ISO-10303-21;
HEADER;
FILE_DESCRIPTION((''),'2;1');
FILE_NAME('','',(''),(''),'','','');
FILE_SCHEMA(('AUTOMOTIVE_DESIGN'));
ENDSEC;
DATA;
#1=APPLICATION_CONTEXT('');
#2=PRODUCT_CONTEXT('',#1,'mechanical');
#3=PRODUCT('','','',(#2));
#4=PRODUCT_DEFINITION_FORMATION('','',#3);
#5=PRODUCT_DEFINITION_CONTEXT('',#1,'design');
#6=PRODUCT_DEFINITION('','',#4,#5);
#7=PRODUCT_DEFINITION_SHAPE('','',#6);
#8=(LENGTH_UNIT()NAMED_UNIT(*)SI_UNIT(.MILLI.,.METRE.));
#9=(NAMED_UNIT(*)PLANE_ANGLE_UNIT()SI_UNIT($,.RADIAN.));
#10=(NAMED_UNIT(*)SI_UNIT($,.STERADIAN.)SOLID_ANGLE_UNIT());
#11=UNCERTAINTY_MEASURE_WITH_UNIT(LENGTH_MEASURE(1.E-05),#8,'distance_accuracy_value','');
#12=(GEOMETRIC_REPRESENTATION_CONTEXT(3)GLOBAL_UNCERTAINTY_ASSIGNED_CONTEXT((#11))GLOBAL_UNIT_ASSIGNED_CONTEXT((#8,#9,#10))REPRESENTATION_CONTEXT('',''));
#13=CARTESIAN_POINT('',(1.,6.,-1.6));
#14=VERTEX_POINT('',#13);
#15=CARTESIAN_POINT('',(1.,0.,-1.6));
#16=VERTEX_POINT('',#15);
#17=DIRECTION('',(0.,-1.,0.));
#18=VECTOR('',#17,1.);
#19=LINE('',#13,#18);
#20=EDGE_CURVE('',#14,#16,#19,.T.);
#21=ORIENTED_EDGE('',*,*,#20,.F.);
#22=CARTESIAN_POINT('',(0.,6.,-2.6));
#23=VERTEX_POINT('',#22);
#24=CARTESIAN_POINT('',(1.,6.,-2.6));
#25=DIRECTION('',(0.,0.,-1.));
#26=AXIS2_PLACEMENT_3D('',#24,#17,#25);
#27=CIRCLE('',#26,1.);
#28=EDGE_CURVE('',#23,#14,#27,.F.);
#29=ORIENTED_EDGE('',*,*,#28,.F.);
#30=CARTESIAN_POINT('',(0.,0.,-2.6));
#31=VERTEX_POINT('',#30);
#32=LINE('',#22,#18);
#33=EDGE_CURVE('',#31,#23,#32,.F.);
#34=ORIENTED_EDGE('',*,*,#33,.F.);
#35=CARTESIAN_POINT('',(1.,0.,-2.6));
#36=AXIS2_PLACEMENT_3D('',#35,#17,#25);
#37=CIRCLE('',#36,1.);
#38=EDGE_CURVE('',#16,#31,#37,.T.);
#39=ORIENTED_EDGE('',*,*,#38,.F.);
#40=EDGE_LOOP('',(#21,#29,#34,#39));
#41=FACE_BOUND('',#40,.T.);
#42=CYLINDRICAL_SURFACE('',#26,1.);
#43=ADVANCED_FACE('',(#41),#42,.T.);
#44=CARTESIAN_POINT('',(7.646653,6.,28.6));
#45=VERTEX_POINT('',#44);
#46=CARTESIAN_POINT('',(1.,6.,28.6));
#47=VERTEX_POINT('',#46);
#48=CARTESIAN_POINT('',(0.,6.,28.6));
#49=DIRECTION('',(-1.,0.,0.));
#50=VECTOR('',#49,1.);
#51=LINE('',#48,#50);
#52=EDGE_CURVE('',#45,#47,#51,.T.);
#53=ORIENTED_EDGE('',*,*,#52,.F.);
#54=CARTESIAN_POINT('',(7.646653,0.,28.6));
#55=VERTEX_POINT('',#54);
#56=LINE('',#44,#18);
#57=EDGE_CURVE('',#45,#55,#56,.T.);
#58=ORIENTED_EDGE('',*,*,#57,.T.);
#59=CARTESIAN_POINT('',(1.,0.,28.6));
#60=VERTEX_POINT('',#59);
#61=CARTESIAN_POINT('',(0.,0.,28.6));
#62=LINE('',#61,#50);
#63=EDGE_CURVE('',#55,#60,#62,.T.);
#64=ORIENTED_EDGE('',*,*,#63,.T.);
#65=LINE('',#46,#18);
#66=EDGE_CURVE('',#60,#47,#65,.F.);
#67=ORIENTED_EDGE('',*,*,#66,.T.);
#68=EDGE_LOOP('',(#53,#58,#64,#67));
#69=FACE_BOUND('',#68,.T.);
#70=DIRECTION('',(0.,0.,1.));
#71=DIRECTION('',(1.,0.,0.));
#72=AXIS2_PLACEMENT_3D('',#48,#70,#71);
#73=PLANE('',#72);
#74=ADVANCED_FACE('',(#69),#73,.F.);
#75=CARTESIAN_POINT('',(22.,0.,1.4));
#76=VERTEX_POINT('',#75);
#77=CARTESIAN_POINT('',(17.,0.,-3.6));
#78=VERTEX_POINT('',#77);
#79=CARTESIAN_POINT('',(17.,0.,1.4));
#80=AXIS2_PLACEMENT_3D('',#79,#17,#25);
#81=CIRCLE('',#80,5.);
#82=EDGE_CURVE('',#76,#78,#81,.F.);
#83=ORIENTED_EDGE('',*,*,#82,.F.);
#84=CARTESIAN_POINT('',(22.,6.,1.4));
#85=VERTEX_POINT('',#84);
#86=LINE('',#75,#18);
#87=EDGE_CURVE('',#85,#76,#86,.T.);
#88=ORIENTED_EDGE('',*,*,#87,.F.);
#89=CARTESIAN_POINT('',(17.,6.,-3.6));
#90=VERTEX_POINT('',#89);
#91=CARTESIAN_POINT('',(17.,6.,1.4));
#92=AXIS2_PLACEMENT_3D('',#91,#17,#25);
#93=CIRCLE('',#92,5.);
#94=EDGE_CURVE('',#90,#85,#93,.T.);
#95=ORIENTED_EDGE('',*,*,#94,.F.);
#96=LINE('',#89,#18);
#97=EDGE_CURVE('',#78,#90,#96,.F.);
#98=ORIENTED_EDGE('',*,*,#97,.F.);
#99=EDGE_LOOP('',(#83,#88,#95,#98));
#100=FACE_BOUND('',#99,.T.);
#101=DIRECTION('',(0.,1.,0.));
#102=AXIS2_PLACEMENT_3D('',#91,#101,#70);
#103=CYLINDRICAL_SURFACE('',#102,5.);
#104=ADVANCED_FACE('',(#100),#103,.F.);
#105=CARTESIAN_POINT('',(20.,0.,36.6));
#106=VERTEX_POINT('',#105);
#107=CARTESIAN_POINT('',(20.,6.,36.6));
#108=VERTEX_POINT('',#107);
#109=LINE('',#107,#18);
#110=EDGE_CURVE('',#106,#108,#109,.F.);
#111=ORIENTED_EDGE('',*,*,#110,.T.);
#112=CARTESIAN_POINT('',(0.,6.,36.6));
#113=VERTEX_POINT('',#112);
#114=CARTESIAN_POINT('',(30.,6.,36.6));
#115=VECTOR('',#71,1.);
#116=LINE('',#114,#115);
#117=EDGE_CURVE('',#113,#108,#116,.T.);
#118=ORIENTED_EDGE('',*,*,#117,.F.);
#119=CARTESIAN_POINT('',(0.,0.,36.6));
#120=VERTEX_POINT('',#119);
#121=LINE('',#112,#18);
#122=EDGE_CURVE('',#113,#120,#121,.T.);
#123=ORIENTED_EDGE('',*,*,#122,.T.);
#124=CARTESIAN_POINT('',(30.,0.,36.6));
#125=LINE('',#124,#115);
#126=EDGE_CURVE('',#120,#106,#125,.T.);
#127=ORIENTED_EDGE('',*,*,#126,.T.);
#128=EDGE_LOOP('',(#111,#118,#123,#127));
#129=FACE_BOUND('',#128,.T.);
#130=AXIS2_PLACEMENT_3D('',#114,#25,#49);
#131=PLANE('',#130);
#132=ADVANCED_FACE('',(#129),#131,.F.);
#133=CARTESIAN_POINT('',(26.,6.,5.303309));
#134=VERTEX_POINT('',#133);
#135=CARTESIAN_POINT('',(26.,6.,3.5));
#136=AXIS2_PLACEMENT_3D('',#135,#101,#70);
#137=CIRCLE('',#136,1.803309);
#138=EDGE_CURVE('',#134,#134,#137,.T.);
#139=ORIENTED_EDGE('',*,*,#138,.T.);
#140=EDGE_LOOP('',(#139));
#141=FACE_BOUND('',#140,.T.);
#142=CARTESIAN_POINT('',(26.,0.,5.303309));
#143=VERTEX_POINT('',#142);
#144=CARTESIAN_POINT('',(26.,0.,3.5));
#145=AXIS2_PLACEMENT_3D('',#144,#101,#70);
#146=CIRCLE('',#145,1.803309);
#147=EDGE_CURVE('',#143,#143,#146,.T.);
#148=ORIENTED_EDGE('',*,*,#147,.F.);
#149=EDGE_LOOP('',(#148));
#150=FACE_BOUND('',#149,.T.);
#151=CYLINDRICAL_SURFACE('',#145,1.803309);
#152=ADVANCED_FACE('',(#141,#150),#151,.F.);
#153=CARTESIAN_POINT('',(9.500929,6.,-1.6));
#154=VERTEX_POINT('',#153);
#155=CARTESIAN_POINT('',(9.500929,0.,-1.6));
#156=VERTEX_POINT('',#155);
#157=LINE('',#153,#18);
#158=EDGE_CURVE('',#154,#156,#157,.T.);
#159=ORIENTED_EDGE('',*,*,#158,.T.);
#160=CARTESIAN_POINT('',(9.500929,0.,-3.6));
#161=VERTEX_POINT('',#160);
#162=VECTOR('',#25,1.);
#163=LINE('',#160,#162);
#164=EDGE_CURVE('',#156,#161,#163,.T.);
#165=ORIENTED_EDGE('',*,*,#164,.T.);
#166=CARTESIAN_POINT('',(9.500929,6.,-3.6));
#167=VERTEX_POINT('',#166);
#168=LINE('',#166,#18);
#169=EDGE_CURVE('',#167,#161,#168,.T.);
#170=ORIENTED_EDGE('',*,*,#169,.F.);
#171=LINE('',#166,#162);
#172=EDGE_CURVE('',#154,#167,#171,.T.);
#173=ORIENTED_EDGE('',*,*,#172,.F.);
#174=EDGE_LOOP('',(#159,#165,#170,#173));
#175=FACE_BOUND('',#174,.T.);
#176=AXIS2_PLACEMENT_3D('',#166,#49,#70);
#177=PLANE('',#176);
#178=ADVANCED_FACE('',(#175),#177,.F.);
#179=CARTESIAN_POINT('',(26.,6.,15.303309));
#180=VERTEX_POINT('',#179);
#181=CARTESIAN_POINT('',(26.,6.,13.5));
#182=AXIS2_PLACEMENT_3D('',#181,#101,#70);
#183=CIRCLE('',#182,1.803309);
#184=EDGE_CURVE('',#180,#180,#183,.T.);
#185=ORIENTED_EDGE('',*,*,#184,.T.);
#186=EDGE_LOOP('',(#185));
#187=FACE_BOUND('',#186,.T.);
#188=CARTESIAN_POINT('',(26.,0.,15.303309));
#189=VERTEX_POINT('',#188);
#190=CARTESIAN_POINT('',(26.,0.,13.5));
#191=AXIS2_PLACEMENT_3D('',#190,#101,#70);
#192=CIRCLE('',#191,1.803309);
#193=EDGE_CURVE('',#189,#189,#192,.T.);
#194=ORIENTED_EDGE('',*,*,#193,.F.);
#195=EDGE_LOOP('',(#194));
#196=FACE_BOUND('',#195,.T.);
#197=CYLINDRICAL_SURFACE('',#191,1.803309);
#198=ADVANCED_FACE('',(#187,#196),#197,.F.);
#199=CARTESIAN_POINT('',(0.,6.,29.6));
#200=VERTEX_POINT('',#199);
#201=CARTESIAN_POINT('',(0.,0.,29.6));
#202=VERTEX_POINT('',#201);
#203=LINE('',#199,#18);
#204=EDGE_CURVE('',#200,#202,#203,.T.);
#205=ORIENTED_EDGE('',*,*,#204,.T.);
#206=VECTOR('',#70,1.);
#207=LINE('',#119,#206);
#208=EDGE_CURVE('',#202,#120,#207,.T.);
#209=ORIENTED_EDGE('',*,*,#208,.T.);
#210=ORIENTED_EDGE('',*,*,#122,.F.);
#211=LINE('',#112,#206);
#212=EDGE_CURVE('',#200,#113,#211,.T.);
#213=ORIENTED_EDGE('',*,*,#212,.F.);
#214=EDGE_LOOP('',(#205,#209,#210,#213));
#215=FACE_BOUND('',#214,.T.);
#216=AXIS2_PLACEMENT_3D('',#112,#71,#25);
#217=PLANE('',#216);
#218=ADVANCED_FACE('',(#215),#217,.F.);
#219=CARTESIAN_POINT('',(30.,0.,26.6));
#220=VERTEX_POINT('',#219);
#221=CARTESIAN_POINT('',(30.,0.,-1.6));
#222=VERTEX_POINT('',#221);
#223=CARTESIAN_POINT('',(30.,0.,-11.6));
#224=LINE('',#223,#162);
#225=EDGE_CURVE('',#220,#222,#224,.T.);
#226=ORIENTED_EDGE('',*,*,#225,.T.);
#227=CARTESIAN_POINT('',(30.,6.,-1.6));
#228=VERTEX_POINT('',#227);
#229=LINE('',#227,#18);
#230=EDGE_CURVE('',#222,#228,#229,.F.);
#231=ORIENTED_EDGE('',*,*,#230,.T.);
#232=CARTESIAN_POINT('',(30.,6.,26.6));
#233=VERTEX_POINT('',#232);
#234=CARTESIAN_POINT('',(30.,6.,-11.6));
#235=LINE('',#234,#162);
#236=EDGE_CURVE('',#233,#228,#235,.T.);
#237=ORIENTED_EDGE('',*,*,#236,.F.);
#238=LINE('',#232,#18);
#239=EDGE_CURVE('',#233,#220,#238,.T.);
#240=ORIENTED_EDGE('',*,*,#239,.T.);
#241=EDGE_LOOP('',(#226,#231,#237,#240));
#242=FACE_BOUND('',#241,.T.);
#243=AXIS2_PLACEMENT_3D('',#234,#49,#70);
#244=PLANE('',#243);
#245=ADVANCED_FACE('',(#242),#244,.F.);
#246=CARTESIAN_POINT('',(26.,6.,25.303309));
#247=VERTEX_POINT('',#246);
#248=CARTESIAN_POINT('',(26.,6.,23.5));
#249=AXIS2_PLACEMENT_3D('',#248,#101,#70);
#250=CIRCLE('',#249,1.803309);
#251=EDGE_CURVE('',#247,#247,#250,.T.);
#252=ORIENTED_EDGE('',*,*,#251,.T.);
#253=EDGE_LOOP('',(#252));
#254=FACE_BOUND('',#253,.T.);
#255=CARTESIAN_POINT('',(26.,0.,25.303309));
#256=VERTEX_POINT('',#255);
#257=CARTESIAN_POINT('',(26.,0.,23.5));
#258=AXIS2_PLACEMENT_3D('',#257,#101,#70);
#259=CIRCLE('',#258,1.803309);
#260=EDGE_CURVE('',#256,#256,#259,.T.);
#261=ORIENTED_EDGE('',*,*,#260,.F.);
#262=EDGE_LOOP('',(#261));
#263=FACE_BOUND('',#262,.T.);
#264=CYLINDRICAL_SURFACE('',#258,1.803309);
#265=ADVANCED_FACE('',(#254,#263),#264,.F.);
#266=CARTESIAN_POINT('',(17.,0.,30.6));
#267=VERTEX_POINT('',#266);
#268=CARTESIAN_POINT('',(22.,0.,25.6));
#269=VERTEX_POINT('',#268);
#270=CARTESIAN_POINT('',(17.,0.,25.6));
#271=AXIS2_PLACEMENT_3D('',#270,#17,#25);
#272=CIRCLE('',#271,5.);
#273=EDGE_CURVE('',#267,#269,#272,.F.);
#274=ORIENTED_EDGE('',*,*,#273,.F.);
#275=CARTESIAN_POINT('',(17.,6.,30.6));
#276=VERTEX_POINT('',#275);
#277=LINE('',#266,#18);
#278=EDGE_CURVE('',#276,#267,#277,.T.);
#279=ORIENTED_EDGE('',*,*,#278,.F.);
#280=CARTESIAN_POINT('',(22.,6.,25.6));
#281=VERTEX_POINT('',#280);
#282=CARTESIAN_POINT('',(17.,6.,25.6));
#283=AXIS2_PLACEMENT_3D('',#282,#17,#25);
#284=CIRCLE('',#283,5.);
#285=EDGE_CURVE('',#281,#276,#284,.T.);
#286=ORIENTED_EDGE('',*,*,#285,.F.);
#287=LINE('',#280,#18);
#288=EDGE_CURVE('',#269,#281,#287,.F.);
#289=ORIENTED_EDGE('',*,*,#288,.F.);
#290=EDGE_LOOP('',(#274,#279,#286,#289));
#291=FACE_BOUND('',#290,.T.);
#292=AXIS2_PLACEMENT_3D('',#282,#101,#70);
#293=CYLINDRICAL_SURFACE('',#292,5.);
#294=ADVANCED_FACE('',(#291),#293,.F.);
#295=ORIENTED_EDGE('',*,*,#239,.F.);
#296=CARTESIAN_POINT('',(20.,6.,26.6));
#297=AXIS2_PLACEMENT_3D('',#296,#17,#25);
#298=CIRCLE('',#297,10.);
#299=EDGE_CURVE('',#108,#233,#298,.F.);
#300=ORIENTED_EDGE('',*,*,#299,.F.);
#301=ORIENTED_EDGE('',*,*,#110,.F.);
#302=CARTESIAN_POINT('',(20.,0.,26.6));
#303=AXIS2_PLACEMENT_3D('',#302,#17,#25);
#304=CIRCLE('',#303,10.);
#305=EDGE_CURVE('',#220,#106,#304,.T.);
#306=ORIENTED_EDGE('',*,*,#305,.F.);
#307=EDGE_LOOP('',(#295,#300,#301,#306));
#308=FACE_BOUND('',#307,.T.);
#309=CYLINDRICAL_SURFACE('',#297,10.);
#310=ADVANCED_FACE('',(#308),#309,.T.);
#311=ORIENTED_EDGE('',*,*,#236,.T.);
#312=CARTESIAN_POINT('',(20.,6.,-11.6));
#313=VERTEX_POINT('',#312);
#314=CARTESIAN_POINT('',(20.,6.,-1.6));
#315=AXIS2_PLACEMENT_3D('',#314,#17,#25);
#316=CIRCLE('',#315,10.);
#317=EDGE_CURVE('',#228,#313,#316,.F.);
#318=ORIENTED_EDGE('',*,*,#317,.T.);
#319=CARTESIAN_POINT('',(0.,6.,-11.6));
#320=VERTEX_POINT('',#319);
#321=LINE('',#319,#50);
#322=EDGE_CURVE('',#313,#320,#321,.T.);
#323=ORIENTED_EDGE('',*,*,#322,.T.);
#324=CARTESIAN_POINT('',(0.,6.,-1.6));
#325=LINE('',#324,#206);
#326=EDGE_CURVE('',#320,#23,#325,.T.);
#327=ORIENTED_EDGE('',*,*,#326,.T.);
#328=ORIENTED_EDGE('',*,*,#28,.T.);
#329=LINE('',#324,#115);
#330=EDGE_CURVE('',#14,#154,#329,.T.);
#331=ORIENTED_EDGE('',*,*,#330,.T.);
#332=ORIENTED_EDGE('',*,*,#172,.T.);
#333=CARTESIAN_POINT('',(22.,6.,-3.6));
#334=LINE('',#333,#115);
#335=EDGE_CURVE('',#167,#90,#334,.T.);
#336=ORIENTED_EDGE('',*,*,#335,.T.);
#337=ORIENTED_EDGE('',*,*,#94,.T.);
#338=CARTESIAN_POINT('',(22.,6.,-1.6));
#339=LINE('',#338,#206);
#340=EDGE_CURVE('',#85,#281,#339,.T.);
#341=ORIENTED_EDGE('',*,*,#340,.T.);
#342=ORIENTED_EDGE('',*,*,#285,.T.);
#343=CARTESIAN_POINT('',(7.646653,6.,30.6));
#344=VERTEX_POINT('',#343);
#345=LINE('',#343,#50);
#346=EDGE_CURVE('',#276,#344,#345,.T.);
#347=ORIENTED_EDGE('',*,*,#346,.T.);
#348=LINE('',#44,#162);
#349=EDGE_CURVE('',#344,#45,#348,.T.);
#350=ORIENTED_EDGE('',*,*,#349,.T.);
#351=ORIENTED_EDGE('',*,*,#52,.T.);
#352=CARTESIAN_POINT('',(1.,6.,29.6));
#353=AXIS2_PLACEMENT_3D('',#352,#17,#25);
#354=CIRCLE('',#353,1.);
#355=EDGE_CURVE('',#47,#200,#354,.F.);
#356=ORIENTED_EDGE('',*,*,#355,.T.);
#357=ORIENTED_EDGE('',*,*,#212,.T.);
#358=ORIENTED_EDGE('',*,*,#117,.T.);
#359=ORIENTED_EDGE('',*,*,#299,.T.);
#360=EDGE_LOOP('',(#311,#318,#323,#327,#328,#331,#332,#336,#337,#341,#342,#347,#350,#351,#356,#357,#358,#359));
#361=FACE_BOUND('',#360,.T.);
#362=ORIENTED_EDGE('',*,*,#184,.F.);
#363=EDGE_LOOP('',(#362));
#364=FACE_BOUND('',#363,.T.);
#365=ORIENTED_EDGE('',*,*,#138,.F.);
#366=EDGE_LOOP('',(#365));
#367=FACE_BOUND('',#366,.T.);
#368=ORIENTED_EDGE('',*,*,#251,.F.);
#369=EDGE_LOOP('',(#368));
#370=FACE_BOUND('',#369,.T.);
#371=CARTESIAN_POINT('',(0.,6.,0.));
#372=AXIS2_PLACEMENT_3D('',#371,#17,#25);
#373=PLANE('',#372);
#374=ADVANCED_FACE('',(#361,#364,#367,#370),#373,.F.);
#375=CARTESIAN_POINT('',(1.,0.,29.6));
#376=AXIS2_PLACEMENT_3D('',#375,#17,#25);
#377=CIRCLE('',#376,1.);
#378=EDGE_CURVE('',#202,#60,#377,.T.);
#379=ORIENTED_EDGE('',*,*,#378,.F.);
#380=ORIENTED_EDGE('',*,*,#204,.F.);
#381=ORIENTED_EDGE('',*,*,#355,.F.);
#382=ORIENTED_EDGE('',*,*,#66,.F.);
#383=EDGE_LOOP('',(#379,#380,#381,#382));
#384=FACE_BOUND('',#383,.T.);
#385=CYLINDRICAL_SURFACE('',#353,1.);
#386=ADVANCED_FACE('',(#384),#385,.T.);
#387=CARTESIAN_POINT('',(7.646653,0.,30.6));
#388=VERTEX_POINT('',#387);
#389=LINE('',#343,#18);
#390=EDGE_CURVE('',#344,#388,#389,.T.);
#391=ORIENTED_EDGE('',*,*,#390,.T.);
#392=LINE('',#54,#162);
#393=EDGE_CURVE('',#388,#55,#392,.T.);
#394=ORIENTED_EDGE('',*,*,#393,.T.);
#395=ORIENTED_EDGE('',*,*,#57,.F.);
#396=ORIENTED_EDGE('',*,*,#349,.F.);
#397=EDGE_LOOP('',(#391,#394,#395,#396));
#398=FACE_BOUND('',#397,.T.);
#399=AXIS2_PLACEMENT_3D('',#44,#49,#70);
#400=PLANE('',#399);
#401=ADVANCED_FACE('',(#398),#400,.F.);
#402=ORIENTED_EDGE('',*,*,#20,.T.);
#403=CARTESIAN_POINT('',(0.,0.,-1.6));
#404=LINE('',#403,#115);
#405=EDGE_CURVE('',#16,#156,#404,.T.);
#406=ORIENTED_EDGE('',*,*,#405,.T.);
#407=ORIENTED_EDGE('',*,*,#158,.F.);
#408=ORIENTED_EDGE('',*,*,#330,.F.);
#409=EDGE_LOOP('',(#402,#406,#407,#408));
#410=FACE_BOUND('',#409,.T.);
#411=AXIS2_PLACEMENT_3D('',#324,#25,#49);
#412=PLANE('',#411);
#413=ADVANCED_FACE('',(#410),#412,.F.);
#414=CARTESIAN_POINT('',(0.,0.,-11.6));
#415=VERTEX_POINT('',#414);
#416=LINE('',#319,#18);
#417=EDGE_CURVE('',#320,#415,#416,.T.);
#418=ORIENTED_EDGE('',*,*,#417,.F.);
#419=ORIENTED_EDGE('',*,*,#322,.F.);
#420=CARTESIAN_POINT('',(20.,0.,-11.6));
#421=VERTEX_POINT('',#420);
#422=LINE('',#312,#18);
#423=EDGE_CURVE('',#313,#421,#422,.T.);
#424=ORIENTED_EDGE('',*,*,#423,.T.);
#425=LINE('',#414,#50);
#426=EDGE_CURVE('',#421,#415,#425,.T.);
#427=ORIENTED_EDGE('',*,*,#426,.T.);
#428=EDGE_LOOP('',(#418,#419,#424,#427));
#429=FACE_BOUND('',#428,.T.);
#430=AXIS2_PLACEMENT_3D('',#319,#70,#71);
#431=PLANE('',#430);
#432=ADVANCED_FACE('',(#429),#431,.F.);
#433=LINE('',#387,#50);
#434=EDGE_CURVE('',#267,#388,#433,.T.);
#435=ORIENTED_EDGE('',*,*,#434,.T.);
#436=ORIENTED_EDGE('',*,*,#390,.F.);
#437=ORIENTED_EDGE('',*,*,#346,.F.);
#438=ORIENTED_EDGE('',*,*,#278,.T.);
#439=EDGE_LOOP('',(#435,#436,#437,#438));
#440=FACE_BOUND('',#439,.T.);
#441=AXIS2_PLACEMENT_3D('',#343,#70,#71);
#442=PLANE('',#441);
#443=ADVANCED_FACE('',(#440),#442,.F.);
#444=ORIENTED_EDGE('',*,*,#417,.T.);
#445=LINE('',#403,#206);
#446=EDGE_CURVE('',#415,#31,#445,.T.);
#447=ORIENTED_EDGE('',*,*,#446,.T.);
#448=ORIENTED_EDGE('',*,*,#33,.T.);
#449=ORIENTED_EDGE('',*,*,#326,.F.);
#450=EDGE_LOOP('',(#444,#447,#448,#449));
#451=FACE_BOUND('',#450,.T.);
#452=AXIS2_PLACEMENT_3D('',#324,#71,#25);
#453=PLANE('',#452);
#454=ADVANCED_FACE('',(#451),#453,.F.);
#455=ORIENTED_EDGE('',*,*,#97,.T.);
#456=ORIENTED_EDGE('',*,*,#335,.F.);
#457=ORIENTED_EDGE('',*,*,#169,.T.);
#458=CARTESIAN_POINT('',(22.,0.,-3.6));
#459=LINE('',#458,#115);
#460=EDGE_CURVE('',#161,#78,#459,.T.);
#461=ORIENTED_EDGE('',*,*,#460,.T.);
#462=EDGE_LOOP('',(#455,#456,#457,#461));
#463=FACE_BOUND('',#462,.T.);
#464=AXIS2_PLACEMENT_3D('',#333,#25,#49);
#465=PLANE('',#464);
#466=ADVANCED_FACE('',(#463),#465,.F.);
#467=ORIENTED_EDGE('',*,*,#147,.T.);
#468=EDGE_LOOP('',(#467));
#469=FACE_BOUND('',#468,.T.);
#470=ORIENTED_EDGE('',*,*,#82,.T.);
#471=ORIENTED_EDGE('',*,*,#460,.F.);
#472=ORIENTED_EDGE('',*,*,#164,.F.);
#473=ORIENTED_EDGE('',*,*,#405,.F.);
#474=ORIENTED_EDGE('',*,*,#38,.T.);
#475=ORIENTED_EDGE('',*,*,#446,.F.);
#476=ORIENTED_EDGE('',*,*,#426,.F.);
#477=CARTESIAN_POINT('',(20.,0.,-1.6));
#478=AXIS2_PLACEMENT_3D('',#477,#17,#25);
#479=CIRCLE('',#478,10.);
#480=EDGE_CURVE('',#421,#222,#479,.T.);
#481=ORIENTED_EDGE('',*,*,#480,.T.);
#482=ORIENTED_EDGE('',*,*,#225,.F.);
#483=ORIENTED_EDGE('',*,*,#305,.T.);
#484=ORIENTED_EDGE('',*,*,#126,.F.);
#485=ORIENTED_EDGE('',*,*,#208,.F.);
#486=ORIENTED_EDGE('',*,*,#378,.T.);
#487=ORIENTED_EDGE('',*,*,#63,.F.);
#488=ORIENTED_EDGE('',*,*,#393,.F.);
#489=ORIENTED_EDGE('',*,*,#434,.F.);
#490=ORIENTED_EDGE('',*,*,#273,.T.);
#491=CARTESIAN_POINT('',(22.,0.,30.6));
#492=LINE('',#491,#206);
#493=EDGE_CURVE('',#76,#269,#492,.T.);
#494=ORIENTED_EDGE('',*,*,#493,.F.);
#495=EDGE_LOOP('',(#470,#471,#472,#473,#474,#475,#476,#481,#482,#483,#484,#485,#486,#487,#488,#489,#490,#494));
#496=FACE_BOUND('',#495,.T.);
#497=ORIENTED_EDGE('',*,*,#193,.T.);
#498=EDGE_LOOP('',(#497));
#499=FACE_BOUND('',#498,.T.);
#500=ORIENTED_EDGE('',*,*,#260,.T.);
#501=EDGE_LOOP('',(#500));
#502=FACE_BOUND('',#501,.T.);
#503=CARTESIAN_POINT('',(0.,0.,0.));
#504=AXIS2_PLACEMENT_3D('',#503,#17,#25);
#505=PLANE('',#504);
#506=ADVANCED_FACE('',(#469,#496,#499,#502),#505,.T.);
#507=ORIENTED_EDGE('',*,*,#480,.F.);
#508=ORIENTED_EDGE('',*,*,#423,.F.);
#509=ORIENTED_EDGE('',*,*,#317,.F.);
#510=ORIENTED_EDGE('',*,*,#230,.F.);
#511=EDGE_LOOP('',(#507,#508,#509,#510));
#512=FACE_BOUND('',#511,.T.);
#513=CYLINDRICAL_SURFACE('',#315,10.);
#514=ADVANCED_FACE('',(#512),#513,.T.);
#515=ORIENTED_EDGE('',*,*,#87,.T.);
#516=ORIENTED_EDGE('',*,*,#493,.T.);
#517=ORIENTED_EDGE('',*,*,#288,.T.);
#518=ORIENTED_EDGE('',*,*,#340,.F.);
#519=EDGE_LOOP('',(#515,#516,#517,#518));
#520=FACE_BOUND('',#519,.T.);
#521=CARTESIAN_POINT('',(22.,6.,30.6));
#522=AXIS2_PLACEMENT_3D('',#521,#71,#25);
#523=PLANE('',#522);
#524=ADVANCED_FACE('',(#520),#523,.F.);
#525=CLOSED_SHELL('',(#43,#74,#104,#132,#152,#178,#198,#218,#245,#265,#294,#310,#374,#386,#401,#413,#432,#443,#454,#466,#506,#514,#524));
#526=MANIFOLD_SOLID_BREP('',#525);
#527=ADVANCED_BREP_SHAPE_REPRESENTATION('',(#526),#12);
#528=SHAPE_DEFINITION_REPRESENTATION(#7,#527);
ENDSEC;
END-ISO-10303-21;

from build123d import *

# Parameters (mm, degrees)
SALIENTE_EXTRUIR1_DEPTH = 6
REDONDEO1_R             = 10
REDONDEO2_R             = 5
REDONDEO3_R             = 1
CROQUIS2_R              = 1.803309478
CORTAR_EXTRUIR1_DEPTH   = 6
MATRIZL1_COUNT          = 2
MATRIZL1_PITCH          = 10
MATRIZL2_COUNT          = 2
MATRIZL2_PITCH          = 10


with BuildPart() as part:
    # Croquis1 → Saliente-Extruir1 (new body)
    with BuildSketch(Plane(origin=(0, 0, 0), x_dir=(1, 0, 0), z_dir=(0, 1, 0))):
        Polygon((0, -36.6), (0, -28.6), (7.646653433, -28.6), (7.646653433, -30.6), (22, -30.6), (22, -28.6), (22, 1.6), (22, 3.6), (9.500929434, 3.6), (9.500929434, 1.6), (0, 1.6), (0, 11.6), (30, 11.6), (30, -36.6), align=None)
    extrude(amount=SALIENTE_EXTRUIR1_DEPTH)

    # Redondeo1
    redondeo1_edges = [part.edges().sort_by_distance(p)[0] for p in [
        (30, 3, -11.6),
        (30, 3, 36.6),
    ]]
    fillet(redondeo1_edges, radius=REDONDEO1_R)

    # Redondeo2
    redondeo2_edges = [part.edges().sort_by_distance(p)[0] for p in [
        (22, 3, 30.6),
        (22, 3, -3.6),
    ]]
    fillet(redondeo2_edges, radius=REDONDEO2_R)

    # Redondeo3
    redondeo3_edges = [part.edges().sort_by_distance(p)[0] for p in [
        (0, 3, 28.6),
        (0, 3, -1.6),
    ]]
    fillet(redondeo3_edges, radius=REDONDEO3_R)

    # Croquis2 → Cortar-Extruir1 (cut)
    with BuildSketch(Plane(origin=(0, 6, 0), x_dir=(1, 0, 0), z_dir=(0, 1, 0))):
        with Locations(Location((26, -13.5, 0), (0, 0, 270))):
            Circle(CROQUIS2_R)
    cortar_extruir1 = extrude(amount=-CORTAR_EXTRUIR1_DEPTH, mode=Mode.SUBTRACT)

    # MatrizL1: Cortar-Extruir1 ×2
    with Locations(*[(0, 0, i * MATRIZL1_PITCH) for i in range(1, MATRIZL1_COUNT)]):
        add(cortar_extruir1, mode=Mode.SUBTRACT)

    # MatrizL2: Cortar-Extruir1 ×2
    with Locations(*[(0, 0, -i * MATRIZL2_PITCH) for i in range(1, MATRIZL2_COUNT)]):
        add(cortar_extruir1, mode=Mode.SUBTRACT)


solid = part.part
